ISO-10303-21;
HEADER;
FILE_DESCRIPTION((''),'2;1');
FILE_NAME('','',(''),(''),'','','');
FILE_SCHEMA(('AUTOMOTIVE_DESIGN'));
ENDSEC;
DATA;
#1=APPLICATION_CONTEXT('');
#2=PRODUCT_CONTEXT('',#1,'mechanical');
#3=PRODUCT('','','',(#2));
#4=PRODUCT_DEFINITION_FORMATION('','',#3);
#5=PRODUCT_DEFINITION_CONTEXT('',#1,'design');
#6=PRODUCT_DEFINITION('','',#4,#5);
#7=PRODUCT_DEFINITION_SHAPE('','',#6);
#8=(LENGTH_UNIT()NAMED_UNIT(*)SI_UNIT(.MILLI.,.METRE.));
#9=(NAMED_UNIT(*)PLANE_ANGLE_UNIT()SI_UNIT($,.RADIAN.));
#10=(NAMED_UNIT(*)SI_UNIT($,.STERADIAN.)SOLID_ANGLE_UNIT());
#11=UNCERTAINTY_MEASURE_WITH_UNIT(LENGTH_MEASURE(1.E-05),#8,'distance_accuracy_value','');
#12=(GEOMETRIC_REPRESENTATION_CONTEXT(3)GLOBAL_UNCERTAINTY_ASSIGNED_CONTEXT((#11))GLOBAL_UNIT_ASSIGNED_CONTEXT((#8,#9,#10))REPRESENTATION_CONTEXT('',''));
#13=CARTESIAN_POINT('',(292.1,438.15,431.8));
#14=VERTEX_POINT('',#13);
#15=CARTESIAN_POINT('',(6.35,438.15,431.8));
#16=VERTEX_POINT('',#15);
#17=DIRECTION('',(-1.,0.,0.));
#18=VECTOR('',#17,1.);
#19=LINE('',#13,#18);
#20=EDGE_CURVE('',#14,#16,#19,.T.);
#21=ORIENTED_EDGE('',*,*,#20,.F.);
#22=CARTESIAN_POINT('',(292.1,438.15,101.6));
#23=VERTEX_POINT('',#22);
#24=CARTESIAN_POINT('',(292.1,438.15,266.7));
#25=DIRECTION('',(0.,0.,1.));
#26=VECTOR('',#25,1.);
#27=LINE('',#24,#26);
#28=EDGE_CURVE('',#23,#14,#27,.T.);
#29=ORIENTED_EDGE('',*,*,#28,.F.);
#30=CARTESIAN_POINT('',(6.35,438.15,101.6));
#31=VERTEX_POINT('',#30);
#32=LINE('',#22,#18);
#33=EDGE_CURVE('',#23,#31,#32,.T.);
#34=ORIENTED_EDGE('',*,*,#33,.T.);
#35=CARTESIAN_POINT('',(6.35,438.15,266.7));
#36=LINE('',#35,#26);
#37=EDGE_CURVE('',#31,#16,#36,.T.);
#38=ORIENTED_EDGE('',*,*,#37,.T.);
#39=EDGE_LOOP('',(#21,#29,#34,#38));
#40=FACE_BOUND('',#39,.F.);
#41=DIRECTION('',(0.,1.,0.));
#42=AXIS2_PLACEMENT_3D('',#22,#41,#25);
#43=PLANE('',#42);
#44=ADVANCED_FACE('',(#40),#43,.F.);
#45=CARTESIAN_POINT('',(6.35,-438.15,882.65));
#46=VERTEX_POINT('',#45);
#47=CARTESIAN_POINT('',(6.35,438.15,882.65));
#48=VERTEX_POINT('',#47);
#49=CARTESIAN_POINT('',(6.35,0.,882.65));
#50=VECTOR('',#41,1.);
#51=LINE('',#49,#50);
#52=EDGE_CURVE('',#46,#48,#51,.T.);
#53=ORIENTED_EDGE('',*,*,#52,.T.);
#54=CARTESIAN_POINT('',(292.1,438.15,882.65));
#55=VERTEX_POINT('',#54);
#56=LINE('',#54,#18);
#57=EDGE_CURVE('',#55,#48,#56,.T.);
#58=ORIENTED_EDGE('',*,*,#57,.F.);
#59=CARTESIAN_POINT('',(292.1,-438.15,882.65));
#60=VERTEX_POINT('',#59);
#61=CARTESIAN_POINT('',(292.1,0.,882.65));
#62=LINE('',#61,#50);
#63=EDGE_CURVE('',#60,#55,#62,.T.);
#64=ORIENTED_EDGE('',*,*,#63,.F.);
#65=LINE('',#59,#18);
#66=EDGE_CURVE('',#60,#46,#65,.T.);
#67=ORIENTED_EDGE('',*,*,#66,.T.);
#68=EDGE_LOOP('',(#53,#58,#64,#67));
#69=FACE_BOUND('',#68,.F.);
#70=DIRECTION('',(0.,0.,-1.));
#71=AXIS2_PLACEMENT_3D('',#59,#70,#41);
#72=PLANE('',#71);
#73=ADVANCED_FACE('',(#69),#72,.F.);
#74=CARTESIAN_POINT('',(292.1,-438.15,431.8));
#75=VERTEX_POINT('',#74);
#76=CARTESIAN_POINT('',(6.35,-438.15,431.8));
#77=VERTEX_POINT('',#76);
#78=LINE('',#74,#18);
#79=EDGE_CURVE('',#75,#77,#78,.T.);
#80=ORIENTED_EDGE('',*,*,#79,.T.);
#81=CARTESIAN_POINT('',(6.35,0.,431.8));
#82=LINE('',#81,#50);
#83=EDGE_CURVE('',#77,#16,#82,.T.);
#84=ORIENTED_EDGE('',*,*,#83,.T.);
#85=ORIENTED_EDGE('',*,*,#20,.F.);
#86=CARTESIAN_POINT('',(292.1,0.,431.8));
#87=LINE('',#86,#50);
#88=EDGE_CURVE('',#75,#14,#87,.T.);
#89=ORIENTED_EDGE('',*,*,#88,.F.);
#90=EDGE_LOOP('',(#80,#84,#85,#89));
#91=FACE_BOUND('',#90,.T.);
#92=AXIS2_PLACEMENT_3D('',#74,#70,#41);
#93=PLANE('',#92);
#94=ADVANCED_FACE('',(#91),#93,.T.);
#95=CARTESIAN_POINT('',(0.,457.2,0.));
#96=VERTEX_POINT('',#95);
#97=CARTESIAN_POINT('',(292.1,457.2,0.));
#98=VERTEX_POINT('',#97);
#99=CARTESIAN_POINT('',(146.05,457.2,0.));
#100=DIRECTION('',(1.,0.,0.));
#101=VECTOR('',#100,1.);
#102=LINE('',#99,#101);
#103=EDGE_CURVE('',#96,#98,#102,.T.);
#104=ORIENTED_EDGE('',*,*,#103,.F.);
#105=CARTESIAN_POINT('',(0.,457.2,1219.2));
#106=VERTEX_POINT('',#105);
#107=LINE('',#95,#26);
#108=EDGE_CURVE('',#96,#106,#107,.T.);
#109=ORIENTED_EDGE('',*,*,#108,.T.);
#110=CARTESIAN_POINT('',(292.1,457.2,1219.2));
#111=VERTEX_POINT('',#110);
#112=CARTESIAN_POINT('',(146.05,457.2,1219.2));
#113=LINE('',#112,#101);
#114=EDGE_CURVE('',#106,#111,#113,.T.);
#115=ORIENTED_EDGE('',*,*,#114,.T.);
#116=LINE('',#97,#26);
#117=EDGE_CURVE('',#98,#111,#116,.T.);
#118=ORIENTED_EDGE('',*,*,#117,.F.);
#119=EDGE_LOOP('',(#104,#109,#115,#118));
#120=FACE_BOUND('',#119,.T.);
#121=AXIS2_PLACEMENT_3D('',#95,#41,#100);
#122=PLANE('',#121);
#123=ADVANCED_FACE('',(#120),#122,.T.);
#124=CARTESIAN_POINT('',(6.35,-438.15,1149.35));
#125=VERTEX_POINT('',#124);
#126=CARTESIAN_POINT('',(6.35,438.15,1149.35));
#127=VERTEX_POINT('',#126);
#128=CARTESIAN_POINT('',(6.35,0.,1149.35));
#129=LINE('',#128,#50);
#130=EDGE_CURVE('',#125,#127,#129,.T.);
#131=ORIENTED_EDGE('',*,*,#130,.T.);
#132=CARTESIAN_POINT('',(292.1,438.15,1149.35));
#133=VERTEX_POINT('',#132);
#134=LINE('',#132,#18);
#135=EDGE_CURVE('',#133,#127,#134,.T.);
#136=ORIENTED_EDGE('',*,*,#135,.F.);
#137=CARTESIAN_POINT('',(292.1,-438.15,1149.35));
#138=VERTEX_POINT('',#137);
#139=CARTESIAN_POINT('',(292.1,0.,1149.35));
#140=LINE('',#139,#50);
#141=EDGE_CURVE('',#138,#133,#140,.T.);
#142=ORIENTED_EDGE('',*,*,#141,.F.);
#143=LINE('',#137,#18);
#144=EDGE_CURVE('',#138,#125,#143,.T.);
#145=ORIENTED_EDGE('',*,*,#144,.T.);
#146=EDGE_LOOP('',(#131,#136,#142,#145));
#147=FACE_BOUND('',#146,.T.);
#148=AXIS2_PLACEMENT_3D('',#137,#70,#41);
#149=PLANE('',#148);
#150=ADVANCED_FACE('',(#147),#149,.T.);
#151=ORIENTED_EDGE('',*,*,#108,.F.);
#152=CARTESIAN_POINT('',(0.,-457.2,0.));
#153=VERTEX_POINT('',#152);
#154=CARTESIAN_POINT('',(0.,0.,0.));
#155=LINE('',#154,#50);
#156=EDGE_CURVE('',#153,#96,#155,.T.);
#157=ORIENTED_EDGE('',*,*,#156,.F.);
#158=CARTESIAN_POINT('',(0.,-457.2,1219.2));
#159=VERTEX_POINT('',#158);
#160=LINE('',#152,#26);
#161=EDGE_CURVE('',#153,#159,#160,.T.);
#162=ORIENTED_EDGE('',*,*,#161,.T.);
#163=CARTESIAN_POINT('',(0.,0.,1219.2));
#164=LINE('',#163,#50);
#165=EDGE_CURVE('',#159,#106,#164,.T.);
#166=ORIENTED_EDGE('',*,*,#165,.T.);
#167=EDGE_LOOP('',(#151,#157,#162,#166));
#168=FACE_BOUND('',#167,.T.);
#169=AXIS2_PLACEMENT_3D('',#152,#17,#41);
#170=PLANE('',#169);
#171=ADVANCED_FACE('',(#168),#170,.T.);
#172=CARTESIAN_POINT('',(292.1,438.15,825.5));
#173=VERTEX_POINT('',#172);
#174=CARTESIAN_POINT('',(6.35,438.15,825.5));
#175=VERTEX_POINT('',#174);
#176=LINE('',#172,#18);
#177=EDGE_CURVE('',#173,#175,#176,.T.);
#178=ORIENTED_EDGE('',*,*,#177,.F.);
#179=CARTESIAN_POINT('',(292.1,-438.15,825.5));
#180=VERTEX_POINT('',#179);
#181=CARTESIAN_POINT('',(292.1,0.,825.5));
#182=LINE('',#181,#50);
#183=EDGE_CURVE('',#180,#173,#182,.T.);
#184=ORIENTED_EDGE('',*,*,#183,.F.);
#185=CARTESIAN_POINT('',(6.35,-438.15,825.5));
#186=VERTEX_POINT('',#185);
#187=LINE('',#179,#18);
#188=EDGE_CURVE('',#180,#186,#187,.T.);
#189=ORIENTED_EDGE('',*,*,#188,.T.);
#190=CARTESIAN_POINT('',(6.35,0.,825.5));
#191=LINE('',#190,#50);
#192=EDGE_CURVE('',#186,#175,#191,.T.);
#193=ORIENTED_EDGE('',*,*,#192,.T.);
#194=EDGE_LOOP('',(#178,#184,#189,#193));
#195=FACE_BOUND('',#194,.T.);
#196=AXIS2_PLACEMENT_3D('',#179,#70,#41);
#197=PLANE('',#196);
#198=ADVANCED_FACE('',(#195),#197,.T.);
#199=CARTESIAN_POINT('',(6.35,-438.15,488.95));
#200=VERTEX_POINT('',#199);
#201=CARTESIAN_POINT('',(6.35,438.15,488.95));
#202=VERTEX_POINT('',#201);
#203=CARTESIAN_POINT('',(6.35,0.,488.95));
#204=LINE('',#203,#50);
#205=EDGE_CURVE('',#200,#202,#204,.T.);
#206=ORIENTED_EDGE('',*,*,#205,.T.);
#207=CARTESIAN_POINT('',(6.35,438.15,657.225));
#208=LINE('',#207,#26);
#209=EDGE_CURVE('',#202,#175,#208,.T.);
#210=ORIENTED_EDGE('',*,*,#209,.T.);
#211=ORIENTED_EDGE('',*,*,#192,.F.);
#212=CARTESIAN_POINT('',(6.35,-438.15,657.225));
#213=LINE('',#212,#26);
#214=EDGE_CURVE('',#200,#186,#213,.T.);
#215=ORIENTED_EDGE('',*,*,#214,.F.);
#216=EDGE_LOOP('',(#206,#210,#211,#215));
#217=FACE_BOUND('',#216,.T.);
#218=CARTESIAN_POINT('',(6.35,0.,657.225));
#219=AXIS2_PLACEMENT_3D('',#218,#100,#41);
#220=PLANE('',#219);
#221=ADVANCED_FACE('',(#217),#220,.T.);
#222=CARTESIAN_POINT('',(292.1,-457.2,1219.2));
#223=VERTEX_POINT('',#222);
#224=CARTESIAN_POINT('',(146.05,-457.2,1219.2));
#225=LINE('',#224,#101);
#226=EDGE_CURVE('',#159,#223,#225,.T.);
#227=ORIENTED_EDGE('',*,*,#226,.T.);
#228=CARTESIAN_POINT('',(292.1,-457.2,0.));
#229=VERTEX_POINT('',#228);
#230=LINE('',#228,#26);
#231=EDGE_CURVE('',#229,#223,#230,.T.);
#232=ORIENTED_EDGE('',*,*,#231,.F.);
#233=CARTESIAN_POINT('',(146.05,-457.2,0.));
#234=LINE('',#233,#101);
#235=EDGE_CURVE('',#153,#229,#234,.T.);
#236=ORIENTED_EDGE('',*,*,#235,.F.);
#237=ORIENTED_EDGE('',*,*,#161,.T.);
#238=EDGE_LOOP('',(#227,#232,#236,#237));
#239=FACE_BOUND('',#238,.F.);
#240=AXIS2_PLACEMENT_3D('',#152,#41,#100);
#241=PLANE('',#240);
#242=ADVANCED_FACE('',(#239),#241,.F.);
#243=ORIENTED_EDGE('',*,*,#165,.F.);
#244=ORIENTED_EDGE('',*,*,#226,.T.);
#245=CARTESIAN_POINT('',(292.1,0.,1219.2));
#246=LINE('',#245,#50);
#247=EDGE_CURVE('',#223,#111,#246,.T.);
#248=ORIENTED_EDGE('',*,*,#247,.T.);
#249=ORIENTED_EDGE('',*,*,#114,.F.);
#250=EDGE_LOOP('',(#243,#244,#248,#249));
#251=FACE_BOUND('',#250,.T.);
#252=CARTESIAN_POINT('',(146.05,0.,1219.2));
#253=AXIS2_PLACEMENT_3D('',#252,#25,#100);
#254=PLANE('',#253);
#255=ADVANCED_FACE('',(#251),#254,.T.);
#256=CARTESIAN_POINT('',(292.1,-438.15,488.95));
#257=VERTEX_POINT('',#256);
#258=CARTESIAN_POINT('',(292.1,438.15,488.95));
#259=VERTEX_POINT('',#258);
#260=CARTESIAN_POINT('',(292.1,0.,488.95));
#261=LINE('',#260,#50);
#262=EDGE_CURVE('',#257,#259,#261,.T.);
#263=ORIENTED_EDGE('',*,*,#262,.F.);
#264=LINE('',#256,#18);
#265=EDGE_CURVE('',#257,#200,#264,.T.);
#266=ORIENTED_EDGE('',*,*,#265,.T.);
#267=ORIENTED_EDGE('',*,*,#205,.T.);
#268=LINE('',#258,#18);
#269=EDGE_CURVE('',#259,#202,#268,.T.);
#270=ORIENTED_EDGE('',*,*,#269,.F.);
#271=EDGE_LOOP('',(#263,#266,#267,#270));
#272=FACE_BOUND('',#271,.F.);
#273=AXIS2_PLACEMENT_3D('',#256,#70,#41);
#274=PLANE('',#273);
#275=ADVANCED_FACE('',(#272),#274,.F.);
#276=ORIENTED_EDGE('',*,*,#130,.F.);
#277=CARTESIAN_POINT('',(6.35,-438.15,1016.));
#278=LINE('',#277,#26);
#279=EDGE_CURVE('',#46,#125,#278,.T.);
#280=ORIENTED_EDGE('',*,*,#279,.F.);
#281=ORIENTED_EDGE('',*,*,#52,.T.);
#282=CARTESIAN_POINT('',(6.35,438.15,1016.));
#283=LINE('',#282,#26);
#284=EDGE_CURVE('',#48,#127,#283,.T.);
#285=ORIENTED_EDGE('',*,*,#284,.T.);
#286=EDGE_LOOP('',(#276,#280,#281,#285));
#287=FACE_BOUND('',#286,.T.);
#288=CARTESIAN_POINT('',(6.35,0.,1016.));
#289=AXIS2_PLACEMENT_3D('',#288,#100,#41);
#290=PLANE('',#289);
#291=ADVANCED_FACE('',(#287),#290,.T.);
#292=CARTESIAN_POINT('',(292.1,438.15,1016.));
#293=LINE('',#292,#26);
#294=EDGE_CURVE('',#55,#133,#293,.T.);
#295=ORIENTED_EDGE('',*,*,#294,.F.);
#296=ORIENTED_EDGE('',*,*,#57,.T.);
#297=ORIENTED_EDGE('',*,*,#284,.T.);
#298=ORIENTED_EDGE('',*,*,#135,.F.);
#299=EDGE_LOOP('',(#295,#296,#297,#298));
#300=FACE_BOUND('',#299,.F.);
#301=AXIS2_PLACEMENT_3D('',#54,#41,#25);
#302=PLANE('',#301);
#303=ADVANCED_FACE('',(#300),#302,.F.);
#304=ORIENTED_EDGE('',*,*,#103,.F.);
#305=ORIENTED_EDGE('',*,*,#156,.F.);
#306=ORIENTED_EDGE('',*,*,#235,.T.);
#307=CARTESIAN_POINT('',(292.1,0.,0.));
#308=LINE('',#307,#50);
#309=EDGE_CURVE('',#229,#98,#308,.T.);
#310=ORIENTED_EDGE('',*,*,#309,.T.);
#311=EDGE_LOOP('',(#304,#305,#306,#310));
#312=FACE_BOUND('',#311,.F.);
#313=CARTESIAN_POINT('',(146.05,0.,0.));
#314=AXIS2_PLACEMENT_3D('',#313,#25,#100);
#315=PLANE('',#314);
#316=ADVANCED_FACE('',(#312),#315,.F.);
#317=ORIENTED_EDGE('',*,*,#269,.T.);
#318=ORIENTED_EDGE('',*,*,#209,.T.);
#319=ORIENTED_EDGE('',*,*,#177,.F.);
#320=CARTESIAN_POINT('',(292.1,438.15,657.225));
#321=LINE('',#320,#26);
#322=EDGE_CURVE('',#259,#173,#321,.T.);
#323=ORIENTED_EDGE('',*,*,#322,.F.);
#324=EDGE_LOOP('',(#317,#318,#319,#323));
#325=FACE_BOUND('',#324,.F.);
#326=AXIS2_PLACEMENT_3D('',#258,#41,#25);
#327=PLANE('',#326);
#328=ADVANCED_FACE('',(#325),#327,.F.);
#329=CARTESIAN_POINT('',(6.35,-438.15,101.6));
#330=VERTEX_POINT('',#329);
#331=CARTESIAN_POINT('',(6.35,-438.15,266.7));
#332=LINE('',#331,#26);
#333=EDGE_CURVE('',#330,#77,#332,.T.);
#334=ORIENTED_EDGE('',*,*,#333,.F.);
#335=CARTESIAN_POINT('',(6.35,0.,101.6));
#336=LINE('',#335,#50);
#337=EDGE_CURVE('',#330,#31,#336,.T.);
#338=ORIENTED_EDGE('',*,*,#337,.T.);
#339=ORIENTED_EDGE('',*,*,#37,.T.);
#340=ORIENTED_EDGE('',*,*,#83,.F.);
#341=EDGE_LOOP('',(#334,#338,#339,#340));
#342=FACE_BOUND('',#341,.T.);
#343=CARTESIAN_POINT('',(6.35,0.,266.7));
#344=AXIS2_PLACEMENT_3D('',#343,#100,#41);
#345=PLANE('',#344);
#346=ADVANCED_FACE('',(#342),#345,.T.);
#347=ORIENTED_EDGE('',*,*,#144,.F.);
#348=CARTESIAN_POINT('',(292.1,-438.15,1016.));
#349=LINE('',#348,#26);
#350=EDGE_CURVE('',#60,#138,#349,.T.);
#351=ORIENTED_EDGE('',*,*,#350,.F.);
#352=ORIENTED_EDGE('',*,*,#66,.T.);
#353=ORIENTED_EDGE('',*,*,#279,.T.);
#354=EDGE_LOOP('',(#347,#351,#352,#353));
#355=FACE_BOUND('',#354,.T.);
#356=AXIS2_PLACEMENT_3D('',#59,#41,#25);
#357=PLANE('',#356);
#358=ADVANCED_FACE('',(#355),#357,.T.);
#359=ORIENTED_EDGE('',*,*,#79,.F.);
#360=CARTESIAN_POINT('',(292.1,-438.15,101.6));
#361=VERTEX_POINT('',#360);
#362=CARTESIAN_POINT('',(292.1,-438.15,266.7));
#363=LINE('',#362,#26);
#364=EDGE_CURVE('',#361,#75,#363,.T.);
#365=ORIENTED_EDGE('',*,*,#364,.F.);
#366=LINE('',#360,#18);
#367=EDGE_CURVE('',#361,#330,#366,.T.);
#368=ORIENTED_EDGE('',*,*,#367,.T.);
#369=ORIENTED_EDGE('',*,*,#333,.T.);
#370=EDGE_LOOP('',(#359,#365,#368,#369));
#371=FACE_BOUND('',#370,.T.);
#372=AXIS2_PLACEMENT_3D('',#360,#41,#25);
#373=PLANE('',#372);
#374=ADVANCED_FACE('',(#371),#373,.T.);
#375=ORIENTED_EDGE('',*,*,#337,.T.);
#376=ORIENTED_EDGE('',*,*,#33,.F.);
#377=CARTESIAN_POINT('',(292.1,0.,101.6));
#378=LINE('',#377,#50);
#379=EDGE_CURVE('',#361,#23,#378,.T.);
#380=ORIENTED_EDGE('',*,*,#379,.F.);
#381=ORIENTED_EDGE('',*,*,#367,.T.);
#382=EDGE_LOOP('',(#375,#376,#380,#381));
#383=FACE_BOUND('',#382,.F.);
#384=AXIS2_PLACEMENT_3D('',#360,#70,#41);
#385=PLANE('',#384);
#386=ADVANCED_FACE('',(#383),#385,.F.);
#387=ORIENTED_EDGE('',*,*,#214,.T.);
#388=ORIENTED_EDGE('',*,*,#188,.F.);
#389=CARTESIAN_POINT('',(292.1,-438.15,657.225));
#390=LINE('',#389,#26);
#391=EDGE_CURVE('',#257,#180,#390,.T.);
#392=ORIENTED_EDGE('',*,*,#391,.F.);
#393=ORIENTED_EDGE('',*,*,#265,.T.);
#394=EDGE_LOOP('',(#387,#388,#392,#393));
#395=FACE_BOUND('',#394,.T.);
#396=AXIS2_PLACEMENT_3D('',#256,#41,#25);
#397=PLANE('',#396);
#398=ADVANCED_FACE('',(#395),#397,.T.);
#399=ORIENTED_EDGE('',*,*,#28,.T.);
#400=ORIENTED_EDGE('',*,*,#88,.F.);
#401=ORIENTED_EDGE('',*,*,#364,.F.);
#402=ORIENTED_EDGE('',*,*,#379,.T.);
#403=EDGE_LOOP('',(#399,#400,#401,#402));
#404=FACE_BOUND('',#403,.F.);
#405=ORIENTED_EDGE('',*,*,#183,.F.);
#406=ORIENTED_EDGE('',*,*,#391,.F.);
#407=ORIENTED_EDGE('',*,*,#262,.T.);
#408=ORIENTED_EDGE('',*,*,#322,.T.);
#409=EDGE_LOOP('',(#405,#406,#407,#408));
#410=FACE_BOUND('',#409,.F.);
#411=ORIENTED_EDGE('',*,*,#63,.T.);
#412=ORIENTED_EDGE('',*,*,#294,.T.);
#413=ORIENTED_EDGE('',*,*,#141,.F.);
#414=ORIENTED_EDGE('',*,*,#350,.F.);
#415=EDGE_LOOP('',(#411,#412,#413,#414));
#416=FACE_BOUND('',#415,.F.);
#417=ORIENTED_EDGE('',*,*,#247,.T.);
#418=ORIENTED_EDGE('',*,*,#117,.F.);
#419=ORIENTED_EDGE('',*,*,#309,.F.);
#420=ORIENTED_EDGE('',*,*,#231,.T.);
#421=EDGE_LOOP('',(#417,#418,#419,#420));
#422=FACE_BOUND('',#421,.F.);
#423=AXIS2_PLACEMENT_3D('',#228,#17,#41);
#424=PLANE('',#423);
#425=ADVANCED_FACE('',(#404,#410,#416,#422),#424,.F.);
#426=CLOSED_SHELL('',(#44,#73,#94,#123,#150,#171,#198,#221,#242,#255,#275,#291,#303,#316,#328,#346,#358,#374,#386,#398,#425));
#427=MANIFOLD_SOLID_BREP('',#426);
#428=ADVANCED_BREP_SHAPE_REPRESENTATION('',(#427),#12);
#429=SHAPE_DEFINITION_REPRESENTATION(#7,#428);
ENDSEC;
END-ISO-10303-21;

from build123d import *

# Parameters (mm, degrees)
F0_W     = 292.1
F0_H     = 914.4
F1_DEPTH = 1219.2
F2_W     = 876.3
F2_H     = 266.7
F2_H_2   = 336.55
F2_H_3   = 330.2
F3_DEPTH = 285.75


with BuildPart() as f1:
    # F0 (on Top) → F1 (new body)
    with BuildSketch(Plane.XY):
        with Locations((146.05, 0)):
            Rectangle(F0_W, F0_H)
    extrude(amount=F1_DEPTH)

    # F2 (on face) → F3 (cut)
    with BuildSketch(Plane.YZ.offset(292.1)):
        with Locations((0, 1016)):
            Rectangle(F2_W, F2_H)
        with Locations((0, 657.225)):
            Rectangle(F2_W, F2_H_2)
        with Locations((0, 266.7)):
            Rectangle(F2_W, F2_H_3)
    extrude(amount=-F3_DEPTH, mode=Mode.SUBTRACT)


solid = f1.part
